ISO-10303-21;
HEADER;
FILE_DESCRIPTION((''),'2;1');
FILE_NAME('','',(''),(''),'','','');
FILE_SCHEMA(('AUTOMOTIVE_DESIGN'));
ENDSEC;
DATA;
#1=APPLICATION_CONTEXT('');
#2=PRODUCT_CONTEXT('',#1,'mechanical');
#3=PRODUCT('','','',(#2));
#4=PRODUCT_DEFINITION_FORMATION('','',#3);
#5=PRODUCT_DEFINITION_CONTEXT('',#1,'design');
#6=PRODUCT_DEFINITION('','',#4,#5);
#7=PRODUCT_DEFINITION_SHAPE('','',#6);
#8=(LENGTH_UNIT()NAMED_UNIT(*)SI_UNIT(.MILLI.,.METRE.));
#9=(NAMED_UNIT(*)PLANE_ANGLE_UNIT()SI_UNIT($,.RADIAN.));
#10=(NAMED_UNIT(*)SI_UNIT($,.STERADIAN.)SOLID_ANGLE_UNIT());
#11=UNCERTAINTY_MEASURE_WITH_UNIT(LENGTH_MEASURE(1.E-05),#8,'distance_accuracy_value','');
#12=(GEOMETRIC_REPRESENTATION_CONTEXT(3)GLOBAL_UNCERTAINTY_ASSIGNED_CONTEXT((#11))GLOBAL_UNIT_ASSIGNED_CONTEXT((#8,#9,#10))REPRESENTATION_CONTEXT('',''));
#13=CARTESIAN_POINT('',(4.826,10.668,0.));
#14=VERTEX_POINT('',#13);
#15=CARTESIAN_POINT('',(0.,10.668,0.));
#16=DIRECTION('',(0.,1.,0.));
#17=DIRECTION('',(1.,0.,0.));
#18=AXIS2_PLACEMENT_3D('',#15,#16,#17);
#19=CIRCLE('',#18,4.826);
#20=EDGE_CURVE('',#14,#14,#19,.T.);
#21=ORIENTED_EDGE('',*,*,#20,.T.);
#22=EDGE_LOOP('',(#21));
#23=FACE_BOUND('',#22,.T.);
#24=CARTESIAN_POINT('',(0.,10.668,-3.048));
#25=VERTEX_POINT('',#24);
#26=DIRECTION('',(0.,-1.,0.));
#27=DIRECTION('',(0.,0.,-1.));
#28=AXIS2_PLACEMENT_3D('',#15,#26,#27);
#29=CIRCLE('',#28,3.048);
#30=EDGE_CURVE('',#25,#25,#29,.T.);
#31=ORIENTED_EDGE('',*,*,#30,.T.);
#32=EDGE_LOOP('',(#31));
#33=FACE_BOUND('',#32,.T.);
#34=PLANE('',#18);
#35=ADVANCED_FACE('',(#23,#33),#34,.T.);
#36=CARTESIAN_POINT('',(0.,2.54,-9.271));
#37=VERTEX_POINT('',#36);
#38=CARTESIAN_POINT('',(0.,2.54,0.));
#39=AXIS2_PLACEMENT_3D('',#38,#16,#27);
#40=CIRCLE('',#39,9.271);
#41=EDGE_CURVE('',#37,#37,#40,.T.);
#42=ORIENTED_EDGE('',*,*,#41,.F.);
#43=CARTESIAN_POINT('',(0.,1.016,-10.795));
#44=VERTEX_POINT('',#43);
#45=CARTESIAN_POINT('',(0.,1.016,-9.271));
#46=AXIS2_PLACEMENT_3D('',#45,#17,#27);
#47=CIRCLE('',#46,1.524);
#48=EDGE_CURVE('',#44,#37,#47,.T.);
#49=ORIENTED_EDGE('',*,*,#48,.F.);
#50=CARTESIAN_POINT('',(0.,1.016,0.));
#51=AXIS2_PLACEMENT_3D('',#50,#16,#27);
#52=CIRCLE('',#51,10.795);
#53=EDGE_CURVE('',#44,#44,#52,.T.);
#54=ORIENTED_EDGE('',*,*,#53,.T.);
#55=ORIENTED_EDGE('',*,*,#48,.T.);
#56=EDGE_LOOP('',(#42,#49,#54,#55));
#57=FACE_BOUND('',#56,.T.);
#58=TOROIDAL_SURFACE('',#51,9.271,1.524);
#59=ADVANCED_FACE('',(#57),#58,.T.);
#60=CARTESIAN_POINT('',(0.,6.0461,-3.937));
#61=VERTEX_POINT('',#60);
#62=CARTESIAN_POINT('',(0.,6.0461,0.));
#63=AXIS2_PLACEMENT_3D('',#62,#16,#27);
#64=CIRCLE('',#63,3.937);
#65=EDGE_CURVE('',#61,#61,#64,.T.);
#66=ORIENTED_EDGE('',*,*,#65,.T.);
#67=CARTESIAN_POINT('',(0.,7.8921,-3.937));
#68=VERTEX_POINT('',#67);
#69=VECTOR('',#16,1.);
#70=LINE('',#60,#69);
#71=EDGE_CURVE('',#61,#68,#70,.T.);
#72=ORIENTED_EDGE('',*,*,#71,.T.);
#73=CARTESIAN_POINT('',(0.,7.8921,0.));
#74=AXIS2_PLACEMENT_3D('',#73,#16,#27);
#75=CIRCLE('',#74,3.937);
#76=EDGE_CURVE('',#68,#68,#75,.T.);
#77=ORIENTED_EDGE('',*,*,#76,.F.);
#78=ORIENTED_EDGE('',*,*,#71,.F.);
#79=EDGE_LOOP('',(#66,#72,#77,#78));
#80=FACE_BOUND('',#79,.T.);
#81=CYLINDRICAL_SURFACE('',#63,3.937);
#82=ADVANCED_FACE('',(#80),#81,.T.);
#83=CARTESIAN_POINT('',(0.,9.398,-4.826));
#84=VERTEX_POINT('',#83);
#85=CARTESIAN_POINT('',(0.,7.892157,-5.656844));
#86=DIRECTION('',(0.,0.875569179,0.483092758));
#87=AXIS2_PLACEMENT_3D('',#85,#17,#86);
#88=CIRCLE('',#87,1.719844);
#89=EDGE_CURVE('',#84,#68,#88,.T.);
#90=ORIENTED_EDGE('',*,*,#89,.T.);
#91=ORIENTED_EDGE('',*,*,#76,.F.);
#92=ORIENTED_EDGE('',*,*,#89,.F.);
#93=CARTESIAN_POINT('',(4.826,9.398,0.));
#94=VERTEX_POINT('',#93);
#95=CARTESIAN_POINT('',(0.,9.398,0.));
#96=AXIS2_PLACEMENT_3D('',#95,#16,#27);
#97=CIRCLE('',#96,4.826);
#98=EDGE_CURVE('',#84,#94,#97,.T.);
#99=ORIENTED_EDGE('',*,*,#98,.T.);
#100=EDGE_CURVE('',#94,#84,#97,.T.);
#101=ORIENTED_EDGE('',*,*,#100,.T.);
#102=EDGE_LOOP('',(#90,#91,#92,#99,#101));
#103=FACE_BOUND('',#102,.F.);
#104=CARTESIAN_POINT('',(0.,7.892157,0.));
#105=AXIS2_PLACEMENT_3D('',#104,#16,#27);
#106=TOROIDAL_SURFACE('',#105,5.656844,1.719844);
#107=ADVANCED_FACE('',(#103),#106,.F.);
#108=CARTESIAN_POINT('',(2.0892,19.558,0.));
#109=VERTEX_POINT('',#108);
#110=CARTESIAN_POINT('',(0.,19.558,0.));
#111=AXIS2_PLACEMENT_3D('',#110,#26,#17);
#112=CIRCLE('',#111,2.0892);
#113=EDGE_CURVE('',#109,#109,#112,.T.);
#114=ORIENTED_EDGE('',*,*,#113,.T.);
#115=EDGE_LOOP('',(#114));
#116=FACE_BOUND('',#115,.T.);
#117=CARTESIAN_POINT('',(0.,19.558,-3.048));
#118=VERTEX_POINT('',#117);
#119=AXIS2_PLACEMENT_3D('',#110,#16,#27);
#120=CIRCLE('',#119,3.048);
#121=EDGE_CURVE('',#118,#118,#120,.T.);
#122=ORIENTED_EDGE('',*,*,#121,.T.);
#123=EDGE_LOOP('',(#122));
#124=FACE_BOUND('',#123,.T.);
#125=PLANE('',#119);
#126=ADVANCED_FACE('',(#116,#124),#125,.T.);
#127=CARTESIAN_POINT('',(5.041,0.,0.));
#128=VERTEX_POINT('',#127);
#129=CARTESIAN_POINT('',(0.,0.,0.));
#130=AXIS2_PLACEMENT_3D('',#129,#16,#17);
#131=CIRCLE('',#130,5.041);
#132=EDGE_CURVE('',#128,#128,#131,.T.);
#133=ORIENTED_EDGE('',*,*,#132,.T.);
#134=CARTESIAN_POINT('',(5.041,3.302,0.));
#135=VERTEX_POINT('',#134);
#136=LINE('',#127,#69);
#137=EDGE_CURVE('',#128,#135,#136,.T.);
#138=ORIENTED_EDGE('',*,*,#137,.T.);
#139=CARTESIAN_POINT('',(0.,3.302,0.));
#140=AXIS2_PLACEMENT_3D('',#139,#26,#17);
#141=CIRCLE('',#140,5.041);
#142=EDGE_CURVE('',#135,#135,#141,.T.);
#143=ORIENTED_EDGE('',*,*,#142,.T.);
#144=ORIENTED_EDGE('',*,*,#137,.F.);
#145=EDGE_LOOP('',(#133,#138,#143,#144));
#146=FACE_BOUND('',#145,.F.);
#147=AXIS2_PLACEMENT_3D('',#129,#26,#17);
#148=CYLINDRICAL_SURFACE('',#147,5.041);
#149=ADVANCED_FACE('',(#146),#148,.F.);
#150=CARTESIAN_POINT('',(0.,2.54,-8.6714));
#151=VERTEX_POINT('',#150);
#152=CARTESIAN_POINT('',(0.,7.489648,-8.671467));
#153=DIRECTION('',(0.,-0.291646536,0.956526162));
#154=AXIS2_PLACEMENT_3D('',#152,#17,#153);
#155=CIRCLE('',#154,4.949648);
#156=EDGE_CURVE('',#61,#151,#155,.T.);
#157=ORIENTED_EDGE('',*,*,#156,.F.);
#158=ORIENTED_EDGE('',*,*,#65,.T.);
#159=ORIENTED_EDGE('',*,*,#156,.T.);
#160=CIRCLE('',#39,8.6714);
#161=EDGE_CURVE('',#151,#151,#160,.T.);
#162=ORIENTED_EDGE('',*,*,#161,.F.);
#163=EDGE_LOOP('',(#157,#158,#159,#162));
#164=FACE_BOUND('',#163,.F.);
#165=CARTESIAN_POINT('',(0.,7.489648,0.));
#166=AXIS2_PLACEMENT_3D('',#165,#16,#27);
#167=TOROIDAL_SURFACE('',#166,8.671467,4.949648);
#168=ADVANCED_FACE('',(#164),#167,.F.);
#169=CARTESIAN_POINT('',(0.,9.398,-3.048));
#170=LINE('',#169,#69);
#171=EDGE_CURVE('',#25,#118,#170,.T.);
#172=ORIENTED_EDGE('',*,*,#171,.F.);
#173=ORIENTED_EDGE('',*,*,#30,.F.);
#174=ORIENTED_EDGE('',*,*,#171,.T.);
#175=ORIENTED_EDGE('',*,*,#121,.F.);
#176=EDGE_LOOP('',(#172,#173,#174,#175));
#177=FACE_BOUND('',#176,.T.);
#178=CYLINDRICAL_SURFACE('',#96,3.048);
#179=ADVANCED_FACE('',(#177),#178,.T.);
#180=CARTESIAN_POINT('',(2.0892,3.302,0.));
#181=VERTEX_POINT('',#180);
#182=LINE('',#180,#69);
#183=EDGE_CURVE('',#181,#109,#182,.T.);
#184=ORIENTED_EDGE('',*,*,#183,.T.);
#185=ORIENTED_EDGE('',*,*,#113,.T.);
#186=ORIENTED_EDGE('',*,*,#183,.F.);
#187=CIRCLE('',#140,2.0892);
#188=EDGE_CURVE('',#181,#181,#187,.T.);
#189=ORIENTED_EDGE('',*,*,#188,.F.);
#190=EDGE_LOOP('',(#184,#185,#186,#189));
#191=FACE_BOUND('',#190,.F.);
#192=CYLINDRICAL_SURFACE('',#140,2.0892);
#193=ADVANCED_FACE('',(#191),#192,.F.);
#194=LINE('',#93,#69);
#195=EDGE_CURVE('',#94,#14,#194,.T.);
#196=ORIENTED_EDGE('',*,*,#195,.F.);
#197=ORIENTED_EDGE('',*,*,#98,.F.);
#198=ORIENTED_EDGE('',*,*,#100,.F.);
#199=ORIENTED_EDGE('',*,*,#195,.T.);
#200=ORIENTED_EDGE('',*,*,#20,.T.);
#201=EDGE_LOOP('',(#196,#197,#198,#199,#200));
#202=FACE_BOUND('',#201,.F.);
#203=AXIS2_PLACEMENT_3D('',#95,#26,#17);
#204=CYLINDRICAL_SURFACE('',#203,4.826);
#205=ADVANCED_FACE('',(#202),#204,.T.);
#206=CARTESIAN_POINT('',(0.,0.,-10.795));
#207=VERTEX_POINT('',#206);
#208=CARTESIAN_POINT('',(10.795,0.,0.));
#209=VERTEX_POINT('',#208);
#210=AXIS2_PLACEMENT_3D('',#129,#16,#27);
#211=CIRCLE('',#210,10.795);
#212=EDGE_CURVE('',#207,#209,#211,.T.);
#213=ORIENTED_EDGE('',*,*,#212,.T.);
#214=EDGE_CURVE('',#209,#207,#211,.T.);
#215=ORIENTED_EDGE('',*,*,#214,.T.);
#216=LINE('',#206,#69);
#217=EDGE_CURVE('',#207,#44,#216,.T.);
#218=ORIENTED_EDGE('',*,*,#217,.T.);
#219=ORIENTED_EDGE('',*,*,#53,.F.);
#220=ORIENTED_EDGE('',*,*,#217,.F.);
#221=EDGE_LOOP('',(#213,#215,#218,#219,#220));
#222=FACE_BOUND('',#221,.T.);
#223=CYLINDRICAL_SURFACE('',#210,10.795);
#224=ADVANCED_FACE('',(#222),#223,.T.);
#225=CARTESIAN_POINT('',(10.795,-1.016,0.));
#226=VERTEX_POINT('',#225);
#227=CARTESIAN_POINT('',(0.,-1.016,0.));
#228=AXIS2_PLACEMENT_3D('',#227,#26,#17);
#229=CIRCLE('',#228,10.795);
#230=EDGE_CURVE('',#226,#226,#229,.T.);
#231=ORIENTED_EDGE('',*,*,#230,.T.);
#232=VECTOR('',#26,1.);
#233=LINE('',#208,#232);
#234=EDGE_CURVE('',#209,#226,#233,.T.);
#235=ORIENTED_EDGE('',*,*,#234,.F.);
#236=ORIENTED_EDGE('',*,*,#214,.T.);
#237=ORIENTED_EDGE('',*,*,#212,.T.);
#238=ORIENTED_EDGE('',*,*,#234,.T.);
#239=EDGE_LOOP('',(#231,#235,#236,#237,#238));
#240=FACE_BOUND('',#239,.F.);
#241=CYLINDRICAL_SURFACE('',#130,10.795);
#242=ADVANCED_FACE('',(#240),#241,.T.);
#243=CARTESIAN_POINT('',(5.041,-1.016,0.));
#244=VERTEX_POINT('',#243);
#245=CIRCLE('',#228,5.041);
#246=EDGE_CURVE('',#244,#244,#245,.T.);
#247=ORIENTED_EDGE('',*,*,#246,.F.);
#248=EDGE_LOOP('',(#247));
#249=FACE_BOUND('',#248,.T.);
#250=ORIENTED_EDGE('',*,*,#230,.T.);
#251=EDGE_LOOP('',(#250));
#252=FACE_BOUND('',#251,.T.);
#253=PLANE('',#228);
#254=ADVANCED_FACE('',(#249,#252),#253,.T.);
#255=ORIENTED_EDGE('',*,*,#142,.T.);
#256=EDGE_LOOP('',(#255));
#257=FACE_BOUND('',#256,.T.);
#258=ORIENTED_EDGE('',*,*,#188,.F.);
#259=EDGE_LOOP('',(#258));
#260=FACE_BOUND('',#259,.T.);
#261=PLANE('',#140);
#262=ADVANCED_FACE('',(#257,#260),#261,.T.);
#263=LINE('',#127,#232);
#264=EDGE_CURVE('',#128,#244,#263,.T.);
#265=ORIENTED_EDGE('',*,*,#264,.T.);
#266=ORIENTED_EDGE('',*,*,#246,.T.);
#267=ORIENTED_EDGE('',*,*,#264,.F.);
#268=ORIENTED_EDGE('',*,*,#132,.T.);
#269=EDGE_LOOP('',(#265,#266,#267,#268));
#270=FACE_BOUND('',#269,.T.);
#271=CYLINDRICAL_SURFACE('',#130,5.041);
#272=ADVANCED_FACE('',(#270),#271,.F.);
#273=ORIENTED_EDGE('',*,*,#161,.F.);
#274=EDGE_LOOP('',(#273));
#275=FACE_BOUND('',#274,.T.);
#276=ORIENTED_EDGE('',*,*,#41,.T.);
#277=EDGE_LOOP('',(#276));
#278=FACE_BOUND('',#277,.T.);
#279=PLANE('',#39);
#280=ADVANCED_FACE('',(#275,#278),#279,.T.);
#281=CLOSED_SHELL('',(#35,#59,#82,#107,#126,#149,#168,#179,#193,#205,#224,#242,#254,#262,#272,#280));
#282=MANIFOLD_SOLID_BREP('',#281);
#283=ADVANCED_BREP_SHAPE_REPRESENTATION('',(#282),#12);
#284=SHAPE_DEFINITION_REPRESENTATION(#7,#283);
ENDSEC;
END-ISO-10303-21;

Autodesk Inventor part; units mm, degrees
ref_plane "YZ Plane" through (0, 0, 0) normal (1, 0, 0) x (0, 1, 0)
ref_plane "XZ Plane" through (0, 0, 0) normal (0, 1, 0) x (-1, 0, 0)
ref_plane "XY Plane" through (0, 0, 0) normal (0, 0, 1) x (1, 0, 0)
sketch "Sketch1" plane through (0, 0, 0) normal (1, 0, 0) x (0, 1, 0)
  line L0 (0, 0) -> (0, -10.795)
  line L1 (0, -10.795) -> (2.54, -10.795)
  line L2 (0, 0) -> (12.7, 0)
  line L3 (2.54, -10.795) -> (2.54, -9.9414)
  line L4 (2.54, -9.9414) -> (2.54, -8.6714)
  line L5 (14.986, -3.937) -> (1.8235, -3.937) construction
  arc A0 (6.0461, -3.937) -> (2.54, -8.6714) centre (7.4896, -8.6714) ccw
  line L6 (9.398, -3.048) -> (9.398, -4.826)
  line L7 (6.0461, -3.937) -> (7.8921, -3.937)
  arc A1 (9.398, -4.826) -> (7.8921, -3.937) centre (7.8921, -5.6569) ccw
  line L8 (19.558, 0) -> (0, 0)
  line L9 (9.398, -3.048) -> (19.558, -3.048)
  line L10 (19.558, -3.048) -> (19.558, 0)
  dimension "d0" = 10.795
  dimension "d1" = 2.54
  dimension "d2" = 12.7
  dimension "d5" = 3.937
  dimension "d6" = 1.27
  dimension "d7" = 4.9496
  dimension "d18" = 4.826
  dimension "d19" = 1.7199
  dimension "d24" = 9.398
  dimension "d25" = 10.16
  dimension "d26" = 3.048
  dimension "d27" = 4.572
  dimension "d28" = 5.6234
  dimension "d29" = 17.7345
revolve "Revolution1" add sketch "Sketch1" angle 360 about axis through (0, 0, 0) along (0, 1, 0)
sketch "Sketch2" plane through (0, 0, 0) normal (0, -1, 0) x (1, 0, 0)
  circle A0 centre (0, 0) radius 3.048 projected
  line L0 (4.95, -0.9536) -> (1.6491, -4.7636)
  line L1 (1.6491, -4.7636) -> (-3.3008, -3.81)
  line L2 (-3.3008, -3.81) -> (-4.95, 0.9536)
  line L3 (-4.95, 0.9536) -> (-1.6491, 4.7636)
  line L4 (-1.6491, 4.7636) -> (3.3008, 3.81)
  line L5 (3.3008, 3.81) -> (4.95, -0.9536)
  dimension "d11" = 8.7312
  dimension "d12" = 7.62
extrude "Extrusion1" cut sketch "Sketch2" against normal blind 3.302 contours A0 | L0 L1 L2 L3 L4 L5
sketch "Sketch3" plane through (0, 3.302, 0) normal (0, -1, 0) x (1, 0, 0)
  circle A0 centre (0, 0) radius 2.0892
  dimension "d15" = 4.1783
extrude "Extrusion2" cut sketch "Sketch3" against normal up to surface (16.256 mm away)
sketch "Sketch5" plane through (0, 9.398, 0) normal (0, 1, 0) x (1, 0, 0)
  circle A0 centre (0, 0) radius 4.826 projected
  circle A1 centre (0, 0) radius 3.048 projected
extrude "Extrusion5" add sketch "Sketch5" along normal blind 1.27
sketch "Sketch6" plane through (0, 0, 0) normal (0, -1, 0) x (1, 0, 0)
  circle A0 centre (0, 0) radius 3.048 projected
  line L0 (-4.95, 0.9536) -> (-1.6491, 4.7636) projected
  circle A1 centre (0, 0) radius 5.041
extrude "Extrusion6" cut sketch "Sketch6" against normal up to surface (3.302 mm away)
sketch "Sketch7" plane through (0, 0, 0) normal (0, -1, 0) x (1, 0, 0)
  circle A0 centre (0, 0) radius 5.041 projected
  circle A1 centre (0, 0) radius 10.795 projected
extrude "Extrusion7" add sketch "Sketch7" along normal blind 1.016
fillet "Fillet1" radius 1.524 1 edges at (0, 2.54, 10.795)
properties part number "_3DPrint"
